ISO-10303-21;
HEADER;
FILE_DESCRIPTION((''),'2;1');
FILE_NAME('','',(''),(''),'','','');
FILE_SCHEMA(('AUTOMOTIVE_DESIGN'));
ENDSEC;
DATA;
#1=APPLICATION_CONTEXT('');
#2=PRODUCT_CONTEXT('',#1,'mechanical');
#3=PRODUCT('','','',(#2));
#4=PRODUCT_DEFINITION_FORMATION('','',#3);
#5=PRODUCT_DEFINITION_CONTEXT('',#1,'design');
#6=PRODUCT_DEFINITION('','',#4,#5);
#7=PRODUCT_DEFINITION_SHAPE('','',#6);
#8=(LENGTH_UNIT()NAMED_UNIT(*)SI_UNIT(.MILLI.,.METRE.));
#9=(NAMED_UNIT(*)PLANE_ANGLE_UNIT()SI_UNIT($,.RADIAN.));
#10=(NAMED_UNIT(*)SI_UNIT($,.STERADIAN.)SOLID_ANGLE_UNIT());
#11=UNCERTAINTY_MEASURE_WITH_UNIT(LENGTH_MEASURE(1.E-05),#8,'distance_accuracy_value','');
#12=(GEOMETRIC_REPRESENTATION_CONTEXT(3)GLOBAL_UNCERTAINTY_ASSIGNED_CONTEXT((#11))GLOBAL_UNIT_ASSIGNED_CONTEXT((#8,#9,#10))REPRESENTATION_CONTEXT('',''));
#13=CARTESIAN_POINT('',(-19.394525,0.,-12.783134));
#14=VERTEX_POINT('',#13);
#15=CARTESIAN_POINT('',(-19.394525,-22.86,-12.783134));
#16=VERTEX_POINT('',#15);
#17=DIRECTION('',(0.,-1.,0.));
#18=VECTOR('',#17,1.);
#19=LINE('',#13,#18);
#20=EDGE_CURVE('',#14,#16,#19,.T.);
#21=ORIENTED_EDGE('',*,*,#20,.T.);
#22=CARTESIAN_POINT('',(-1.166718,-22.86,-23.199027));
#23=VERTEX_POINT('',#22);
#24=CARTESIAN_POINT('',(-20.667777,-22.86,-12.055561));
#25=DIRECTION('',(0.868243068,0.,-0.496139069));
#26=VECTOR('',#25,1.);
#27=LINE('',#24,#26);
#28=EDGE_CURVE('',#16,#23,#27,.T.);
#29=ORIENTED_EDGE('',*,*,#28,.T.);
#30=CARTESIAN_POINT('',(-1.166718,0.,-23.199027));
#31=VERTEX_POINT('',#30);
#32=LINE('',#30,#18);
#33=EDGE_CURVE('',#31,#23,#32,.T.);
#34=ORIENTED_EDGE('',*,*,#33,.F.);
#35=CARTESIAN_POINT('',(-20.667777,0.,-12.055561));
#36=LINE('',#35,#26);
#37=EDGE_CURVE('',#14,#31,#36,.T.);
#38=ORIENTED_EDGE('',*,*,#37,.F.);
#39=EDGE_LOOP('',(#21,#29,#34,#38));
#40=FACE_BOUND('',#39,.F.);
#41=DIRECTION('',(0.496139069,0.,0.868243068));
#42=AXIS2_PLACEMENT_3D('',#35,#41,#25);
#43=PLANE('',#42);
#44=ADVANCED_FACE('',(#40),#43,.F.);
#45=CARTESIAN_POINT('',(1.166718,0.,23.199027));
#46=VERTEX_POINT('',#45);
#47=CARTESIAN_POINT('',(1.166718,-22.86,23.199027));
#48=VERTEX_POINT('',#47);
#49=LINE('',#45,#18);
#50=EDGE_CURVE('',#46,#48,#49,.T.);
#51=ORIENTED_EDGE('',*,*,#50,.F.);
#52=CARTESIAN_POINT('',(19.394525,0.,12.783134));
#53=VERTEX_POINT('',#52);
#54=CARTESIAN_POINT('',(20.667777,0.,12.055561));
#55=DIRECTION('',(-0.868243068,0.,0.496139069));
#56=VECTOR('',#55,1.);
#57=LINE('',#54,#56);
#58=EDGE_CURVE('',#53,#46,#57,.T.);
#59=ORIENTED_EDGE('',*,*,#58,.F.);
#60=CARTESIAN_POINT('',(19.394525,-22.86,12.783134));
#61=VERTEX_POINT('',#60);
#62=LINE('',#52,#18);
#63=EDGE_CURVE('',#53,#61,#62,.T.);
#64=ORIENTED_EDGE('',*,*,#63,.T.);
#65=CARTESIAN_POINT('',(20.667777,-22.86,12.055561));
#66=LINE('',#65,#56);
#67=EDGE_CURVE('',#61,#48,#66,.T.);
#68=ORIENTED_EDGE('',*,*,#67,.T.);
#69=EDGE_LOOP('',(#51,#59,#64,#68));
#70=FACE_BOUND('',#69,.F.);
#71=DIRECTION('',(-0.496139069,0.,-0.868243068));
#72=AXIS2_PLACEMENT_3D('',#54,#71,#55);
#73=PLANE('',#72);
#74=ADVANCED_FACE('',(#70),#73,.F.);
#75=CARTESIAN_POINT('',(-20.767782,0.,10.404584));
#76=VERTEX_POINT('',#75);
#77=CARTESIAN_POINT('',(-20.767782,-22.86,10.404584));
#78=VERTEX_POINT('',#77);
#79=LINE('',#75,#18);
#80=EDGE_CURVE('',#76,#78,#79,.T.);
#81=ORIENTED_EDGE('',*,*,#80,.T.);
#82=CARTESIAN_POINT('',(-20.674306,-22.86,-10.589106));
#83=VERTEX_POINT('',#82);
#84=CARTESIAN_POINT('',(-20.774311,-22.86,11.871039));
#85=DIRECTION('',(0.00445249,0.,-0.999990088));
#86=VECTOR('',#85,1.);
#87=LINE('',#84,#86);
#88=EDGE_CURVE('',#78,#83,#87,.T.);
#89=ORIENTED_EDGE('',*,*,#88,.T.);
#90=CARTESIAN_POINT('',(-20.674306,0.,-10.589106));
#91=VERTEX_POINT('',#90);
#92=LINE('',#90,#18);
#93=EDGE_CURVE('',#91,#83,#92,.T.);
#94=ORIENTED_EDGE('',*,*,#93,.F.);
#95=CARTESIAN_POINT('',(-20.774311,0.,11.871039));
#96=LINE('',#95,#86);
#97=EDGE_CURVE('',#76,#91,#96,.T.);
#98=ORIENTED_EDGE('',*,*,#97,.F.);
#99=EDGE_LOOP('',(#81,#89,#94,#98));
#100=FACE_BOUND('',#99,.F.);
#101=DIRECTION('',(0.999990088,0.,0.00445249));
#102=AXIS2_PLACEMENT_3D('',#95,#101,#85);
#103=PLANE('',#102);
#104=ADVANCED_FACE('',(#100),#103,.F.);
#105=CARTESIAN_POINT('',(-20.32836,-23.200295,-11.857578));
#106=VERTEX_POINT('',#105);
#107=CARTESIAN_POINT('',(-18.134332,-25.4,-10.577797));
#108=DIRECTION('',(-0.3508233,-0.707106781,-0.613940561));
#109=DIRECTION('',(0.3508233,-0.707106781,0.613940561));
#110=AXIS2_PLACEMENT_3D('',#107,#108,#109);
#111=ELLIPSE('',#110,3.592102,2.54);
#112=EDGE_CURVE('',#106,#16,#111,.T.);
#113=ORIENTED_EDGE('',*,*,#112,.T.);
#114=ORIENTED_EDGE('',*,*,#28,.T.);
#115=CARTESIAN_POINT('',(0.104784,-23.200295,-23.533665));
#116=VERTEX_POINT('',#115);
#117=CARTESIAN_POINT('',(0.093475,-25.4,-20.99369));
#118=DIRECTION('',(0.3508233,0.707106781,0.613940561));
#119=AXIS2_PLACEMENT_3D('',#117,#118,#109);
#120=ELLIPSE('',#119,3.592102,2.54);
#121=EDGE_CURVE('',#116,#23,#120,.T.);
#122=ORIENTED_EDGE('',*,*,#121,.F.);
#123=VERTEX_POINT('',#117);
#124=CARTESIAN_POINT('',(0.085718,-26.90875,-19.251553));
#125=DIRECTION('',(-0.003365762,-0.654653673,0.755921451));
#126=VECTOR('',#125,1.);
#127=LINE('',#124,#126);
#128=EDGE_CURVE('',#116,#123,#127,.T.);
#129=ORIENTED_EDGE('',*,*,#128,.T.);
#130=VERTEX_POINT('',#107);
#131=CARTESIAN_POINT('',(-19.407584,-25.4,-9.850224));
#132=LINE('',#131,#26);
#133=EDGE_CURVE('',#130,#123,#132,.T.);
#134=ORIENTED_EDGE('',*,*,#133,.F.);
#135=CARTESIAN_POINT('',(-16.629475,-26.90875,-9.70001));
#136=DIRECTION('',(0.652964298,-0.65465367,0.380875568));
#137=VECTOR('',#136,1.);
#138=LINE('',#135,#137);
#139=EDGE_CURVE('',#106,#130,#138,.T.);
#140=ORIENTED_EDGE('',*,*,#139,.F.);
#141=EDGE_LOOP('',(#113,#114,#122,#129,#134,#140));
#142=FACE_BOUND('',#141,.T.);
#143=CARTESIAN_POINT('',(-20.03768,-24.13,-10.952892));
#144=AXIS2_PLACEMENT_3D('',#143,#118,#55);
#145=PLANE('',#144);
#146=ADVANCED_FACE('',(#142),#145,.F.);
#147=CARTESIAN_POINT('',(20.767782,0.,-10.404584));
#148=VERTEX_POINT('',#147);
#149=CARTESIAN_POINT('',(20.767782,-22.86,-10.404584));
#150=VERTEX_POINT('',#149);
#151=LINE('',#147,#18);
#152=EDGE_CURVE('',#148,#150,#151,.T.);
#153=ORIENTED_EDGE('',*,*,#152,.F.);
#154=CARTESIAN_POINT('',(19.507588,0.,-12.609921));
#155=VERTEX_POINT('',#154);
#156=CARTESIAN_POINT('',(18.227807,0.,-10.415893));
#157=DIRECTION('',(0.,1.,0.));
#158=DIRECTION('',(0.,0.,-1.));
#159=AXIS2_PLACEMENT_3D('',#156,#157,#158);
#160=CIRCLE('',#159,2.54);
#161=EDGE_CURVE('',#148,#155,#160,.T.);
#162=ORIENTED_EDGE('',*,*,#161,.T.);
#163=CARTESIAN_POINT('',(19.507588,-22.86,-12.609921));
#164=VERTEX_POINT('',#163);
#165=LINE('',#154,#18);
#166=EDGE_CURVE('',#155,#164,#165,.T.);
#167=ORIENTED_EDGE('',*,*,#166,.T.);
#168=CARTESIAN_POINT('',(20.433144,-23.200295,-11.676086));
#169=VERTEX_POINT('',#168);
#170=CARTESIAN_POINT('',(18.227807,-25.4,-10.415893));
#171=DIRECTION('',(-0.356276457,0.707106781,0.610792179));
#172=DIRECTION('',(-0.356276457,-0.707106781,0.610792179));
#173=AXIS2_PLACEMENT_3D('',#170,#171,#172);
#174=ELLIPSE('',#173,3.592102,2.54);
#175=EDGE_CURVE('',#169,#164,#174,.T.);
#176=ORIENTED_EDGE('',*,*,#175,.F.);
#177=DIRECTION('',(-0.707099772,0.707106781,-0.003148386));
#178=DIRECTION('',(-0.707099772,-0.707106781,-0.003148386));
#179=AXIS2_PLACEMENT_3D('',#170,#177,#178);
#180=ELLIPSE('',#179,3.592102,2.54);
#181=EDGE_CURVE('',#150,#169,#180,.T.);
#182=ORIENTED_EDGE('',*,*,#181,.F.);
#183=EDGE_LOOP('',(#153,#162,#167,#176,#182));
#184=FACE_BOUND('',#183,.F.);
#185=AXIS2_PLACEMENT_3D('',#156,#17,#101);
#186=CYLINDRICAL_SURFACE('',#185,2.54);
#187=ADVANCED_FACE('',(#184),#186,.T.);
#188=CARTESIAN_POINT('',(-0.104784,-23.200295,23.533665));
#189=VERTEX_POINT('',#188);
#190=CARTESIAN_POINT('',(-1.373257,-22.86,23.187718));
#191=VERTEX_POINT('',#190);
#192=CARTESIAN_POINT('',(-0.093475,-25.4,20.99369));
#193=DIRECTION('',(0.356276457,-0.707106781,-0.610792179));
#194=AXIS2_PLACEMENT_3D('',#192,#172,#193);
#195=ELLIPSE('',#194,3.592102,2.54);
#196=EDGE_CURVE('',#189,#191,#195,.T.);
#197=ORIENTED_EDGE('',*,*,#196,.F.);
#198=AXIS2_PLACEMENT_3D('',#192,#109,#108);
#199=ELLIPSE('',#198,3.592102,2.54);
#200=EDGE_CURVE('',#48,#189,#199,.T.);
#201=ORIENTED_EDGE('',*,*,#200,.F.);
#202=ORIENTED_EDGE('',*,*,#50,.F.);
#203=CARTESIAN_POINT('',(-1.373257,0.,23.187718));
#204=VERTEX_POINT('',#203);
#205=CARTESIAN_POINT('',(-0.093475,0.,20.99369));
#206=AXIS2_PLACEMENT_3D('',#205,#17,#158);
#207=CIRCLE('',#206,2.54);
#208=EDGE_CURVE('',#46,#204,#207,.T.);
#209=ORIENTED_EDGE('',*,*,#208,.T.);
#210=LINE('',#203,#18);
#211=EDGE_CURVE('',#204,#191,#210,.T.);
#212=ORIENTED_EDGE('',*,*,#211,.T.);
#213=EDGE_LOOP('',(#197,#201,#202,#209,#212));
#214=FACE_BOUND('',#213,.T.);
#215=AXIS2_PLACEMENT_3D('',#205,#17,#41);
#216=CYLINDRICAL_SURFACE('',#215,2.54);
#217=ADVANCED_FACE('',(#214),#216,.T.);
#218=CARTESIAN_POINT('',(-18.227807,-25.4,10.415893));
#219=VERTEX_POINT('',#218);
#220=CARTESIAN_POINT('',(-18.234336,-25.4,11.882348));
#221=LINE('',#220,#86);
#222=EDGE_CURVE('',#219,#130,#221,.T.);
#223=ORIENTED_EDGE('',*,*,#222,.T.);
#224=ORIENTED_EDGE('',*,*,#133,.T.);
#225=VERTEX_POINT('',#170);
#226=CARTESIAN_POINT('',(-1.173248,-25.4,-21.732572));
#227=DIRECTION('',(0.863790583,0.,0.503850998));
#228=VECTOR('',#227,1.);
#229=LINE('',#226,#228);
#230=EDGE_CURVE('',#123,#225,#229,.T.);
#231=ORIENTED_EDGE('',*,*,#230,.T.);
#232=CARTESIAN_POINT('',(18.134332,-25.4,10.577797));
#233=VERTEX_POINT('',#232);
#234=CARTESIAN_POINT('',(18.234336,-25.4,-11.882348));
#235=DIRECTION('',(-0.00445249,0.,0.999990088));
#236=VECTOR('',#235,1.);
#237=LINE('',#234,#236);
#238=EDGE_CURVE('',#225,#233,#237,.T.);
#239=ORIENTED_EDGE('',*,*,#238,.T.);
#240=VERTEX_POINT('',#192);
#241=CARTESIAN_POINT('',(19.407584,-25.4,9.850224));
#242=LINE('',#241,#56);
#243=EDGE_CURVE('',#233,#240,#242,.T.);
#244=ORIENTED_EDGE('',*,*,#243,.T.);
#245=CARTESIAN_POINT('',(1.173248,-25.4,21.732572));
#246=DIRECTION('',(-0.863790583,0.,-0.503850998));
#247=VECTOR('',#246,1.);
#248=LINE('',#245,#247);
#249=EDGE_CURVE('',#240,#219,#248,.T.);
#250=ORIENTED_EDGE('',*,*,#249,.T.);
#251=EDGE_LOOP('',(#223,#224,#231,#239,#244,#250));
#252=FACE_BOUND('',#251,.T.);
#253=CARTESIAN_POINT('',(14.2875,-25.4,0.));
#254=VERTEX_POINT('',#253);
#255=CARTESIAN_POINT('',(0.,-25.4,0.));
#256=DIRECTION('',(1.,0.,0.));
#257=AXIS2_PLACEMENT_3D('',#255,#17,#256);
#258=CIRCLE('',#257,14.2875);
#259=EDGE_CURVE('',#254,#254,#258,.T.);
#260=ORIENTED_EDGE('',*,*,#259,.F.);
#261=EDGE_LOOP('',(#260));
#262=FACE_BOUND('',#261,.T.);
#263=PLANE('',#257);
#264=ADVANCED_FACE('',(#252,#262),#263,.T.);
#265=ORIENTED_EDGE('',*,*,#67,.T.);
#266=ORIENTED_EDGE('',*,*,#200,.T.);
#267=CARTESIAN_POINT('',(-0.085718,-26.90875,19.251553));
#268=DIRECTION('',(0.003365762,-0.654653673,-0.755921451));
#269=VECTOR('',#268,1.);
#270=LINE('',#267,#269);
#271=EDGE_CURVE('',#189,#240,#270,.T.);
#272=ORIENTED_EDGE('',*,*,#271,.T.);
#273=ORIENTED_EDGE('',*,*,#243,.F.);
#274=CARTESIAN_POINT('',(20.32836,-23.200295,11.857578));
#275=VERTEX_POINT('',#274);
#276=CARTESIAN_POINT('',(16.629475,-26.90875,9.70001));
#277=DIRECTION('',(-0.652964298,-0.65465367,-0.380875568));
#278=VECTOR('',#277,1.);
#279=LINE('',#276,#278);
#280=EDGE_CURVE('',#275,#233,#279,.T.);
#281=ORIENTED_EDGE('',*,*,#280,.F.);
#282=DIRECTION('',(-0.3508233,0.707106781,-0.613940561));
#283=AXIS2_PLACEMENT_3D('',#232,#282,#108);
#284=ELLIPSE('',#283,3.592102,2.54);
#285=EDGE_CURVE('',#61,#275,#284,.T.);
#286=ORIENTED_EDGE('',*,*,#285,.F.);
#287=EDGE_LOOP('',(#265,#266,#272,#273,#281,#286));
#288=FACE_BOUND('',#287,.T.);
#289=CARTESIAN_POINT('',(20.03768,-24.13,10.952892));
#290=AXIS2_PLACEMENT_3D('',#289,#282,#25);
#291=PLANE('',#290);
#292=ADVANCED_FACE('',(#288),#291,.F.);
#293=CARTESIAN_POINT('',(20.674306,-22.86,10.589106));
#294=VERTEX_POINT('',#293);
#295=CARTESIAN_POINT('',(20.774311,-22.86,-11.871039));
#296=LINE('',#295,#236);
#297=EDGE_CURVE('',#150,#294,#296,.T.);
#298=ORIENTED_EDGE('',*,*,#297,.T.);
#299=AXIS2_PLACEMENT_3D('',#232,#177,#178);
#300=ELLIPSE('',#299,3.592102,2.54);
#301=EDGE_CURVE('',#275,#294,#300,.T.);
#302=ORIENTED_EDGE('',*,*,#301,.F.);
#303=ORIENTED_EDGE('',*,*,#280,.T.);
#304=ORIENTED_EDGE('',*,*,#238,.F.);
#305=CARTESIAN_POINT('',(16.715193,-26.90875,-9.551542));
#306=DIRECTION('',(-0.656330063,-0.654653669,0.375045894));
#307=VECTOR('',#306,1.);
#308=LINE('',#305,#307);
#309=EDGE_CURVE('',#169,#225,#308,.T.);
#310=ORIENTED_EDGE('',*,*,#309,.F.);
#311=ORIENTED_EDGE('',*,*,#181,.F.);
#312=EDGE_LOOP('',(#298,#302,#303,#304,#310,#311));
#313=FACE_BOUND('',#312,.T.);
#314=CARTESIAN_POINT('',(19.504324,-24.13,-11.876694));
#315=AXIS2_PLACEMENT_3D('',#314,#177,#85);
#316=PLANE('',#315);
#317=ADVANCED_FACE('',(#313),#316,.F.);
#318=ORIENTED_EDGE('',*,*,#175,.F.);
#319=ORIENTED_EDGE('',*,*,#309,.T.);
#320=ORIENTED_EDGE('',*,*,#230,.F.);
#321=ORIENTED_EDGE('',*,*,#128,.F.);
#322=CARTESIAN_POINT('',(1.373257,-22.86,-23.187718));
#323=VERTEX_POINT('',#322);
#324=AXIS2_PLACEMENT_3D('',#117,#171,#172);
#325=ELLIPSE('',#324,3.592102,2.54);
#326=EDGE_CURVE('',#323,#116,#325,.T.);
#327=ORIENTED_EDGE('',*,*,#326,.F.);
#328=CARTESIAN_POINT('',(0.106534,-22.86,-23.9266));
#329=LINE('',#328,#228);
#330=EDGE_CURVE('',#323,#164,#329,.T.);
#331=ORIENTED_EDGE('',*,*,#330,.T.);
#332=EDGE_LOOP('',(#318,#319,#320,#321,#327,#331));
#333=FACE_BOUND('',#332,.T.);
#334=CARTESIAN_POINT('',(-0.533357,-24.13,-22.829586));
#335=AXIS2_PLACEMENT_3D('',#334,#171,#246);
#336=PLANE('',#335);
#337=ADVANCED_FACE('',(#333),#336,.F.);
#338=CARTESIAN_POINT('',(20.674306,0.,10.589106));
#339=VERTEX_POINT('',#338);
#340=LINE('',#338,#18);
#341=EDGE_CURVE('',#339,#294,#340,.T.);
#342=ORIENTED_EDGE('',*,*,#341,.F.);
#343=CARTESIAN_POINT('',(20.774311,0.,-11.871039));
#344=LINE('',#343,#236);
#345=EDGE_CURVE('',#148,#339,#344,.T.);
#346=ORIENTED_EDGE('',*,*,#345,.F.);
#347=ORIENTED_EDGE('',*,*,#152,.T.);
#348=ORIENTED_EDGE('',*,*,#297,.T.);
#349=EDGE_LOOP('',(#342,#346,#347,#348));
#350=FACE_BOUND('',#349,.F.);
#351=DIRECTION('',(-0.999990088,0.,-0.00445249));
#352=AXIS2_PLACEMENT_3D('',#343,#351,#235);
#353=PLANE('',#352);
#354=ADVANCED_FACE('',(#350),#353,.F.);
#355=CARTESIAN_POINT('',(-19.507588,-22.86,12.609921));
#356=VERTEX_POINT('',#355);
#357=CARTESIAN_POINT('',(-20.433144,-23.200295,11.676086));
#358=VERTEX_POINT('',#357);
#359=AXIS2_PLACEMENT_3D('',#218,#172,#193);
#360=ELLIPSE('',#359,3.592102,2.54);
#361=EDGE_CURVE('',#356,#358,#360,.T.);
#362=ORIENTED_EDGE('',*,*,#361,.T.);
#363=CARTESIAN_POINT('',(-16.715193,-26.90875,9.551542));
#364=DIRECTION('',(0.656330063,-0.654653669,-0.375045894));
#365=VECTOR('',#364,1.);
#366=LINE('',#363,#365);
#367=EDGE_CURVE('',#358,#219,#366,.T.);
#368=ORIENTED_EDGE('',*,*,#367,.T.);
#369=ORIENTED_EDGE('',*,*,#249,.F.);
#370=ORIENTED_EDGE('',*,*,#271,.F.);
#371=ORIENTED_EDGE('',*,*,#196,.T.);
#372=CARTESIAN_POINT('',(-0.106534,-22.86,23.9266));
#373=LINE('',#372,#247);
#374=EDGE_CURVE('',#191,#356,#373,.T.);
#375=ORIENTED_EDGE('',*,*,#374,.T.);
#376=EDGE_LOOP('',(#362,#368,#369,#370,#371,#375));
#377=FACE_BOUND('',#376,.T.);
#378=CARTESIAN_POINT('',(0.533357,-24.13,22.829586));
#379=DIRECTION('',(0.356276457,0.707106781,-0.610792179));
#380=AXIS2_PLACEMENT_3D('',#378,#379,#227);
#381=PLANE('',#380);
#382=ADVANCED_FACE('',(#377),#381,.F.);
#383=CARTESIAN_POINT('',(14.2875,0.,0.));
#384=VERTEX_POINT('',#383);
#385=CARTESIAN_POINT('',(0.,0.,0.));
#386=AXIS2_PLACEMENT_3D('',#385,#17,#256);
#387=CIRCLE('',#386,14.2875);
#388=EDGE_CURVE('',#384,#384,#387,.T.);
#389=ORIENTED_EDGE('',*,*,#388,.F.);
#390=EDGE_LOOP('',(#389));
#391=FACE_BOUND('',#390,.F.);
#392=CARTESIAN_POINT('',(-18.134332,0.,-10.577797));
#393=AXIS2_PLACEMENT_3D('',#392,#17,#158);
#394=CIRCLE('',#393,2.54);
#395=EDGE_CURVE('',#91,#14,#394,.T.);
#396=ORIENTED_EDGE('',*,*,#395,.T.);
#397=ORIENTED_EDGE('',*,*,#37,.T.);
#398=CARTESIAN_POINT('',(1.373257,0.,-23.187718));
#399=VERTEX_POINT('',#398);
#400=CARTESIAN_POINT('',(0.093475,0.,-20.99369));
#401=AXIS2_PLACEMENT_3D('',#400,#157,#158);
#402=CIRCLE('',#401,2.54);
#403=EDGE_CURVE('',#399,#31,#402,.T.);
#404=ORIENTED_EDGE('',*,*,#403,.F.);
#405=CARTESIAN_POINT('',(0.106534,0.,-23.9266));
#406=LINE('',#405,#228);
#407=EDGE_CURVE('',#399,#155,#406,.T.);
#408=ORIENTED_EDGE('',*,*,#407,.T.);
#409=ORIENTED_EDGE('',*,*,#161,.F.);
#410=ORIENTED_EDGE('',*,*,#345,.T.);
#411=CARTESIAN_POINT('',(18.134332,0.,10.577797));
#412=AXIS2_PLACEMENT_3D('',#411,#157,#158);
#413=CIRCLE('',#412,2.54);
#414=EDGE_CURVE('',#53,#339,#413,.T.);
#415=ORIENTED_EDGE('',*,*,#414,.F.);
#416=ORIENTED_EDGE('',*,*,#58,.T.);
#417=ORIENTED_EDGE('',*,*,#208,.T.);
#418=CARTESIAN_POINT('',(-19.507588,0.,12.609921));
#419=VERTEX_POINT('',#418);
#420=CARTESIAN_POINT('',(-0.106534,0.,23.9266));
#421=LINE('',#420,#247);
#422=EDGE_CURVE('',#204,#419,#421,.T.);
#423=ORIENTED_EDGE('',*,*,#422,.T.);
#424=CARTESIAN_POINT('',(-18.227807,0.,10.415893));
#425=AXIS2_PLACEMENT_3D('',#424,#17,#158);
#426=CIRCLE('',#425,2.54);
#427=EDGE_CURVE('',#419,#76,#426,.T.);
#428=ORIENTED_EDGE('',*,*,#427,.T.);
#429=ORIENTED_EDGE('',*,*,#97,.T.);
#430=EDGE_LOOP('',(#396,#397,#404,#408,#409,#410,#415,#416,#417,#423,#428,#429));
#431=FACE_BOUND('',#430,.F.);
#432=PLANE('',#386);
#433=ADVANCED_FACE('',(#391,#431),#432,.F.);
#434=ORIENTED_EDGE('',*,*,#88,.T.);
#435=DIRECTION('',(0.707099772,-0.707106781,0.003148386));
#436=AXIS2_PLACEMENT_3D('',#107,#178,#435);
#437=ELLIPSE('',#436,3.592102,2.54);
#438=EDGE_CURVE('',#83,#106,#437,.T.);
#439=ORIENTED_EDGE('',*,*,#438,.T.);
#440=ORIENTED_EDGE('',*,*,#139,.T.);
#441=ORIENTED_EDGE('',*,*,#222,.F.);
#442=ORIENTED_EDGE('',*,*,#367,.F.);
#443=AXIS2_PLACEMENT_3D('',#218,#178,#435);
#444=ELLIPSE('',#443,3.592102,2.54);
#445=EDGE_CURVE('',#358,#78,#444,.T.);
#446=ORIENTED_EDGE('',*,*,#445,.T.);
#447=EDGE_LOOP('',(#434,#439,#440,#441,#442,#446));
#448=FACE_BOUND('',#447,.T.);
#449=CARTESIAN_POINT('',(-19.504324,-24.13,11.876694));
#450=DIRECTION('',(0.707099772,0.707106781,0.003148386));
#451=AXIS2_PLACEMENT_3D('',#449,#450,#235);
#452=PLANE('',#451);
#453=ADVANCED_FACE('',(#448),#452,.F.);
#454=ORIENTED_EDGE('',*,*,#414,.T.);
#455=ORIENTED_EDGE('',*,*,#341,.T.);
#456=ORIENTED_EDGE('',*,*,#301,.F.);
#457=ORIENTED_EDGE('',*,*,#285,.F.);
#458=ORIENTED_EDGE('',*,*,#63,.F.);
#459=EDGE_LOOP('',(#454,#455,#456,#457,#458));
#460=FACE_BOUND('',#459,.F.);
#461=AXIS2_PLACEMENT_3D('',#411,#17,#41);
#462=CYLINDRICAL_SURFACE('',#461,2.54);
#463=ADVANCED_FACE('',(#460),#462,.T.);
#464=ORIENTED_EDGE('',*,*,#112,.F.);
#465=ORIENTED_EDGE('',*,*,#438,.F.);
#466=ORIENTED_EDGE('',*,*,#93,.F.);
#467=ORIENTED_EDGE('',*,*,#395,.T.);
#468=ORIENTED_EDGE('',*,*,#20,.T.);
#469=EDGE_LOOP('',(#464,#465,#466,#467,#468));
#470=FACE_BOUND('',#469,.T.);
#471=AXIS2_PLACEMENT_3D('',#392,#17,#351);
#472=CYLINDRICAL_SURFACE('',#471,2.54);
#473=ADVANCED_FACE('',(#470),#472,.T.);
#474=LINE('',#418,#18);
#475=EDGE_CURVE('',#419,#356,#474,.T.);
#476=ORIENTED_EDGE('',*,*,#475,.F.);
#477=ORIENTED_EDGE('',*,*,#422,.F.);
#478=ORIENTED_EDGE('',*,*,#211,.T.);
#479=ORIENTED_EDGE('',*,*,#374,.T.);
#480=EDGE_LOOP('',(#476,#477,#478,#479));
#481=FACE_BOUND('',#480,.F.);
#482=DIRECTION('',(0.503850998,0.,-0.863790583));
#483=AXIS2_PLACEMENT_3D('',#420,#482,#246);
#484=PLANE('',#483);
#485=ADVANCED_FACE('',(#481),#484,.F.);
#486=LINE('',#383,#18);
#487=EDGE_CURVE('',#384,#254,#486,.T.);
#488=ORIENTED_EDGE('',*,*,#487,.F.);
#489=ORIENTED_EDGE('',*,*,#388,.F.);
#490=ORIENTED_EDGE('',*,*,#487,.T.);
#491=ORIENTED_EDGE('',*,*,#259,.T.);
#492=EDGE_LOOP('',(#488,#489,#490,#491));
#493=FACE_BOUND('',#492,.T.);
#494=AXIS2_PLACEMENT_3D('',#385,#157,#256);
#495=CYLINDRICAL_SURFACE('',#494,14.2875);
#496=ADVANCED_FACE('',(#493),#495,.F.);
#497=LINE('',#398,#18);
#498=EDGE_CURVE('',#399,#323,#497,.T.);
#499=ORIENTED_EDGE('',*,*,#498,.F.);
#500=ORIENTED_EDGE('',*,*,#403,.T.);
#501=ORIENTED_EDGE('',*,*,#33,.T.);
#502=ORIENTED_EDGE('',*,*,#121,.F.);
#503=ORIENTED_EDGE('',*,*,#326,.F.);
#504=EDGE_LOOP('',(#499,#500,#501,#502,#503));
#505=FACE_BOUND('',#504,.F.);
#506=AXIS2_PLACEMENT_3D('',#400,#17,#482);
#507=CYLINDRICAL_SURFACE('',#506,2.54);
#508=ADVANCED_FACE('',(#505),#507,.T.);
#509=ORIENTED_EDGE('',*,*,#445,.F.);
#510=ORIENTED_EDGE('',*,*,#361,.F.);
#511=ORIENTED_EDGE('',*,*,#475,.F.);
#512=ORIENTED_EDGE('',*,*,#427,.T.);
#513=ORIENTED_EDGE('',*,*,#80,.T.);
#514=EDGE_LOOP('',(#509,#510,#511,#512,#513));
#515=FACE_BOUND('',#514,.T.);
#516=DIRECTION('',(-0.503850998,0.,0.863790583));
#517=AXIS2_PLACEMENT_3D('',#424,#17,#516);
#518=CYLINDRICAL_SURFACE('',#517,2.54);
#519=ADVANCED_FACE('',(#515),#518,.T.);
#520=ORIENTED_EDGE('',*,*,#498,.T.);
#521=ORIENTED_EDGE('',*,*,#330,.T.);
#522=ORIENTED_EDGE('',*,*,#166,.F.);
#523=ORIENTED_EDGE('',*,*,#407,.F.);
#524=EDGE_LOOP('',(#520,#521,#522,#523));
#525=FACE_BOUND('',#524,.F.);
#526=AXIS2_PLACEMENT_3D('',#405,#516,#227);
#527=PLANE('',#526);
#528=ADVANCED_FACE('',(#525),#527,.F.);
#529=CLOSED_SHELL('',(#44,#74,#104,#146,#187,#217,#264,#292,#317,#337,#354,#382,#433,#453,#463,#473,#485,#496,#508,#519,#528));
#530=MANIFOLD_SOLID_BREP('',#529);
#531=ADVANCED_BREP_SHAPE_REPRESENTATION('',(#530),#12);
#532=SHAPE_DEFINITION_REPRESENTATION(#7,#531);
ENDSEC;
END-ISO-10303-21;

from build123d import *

# Parameters (mm, degrees)
F0_R     = 14.2875
F1_DEPTH = 25.4
F2_SIZE  = 2.54
F3_R     = 2.54


with BuildPart() as f1:
    # F0 (on Front) → F1 (new body)
    with BuildSketch(Plane.XZ):
        Polygon((20.667777, 12.055561), (-0.106534, 23.9266), (-20.774311, 11.871039), (-20.667777, -12.055561), (0.106534, -23.9266), (20.774311, -11.871039), align=None)
        Circle(F0_R, mode=Mode.SUBTRACT)
    extrude(amount=F1_DEPTH)

    # F2
    f2_edges = [f1.edges().sort_by_distance(p)[0] for p in [
        (-10.440422, -25.4, 17.89882),
        (-20.721044, -25.4, -0.092261),
        (-10.280621, -25.4, -17.991081),
        (10.440422, -25.4, -17.89882),
        (20.721044, -25.4, 0.092261),
        (10.280621, -25.4, 17.991081),
    ]]
    chamfer(f2_edges, length=F2_SIZE)

    # F3
    f3_edges = [f1.edges().sort_by_distance(p)[0] for p in [
        (-20.774311, -11.43, 11.871039),
        (-0.106534, -11.43, 23.9266),
        (-20.667777, -11.43, -12.055561),
        (0.106534, -11.43, -23.9266),
        (20.774311, -11.43, -11.871039),
        (20.667777, -11.43, 12.055561),
    ]]
    fillet(f3_edges, radius=F3_R)


solid = f1.part
